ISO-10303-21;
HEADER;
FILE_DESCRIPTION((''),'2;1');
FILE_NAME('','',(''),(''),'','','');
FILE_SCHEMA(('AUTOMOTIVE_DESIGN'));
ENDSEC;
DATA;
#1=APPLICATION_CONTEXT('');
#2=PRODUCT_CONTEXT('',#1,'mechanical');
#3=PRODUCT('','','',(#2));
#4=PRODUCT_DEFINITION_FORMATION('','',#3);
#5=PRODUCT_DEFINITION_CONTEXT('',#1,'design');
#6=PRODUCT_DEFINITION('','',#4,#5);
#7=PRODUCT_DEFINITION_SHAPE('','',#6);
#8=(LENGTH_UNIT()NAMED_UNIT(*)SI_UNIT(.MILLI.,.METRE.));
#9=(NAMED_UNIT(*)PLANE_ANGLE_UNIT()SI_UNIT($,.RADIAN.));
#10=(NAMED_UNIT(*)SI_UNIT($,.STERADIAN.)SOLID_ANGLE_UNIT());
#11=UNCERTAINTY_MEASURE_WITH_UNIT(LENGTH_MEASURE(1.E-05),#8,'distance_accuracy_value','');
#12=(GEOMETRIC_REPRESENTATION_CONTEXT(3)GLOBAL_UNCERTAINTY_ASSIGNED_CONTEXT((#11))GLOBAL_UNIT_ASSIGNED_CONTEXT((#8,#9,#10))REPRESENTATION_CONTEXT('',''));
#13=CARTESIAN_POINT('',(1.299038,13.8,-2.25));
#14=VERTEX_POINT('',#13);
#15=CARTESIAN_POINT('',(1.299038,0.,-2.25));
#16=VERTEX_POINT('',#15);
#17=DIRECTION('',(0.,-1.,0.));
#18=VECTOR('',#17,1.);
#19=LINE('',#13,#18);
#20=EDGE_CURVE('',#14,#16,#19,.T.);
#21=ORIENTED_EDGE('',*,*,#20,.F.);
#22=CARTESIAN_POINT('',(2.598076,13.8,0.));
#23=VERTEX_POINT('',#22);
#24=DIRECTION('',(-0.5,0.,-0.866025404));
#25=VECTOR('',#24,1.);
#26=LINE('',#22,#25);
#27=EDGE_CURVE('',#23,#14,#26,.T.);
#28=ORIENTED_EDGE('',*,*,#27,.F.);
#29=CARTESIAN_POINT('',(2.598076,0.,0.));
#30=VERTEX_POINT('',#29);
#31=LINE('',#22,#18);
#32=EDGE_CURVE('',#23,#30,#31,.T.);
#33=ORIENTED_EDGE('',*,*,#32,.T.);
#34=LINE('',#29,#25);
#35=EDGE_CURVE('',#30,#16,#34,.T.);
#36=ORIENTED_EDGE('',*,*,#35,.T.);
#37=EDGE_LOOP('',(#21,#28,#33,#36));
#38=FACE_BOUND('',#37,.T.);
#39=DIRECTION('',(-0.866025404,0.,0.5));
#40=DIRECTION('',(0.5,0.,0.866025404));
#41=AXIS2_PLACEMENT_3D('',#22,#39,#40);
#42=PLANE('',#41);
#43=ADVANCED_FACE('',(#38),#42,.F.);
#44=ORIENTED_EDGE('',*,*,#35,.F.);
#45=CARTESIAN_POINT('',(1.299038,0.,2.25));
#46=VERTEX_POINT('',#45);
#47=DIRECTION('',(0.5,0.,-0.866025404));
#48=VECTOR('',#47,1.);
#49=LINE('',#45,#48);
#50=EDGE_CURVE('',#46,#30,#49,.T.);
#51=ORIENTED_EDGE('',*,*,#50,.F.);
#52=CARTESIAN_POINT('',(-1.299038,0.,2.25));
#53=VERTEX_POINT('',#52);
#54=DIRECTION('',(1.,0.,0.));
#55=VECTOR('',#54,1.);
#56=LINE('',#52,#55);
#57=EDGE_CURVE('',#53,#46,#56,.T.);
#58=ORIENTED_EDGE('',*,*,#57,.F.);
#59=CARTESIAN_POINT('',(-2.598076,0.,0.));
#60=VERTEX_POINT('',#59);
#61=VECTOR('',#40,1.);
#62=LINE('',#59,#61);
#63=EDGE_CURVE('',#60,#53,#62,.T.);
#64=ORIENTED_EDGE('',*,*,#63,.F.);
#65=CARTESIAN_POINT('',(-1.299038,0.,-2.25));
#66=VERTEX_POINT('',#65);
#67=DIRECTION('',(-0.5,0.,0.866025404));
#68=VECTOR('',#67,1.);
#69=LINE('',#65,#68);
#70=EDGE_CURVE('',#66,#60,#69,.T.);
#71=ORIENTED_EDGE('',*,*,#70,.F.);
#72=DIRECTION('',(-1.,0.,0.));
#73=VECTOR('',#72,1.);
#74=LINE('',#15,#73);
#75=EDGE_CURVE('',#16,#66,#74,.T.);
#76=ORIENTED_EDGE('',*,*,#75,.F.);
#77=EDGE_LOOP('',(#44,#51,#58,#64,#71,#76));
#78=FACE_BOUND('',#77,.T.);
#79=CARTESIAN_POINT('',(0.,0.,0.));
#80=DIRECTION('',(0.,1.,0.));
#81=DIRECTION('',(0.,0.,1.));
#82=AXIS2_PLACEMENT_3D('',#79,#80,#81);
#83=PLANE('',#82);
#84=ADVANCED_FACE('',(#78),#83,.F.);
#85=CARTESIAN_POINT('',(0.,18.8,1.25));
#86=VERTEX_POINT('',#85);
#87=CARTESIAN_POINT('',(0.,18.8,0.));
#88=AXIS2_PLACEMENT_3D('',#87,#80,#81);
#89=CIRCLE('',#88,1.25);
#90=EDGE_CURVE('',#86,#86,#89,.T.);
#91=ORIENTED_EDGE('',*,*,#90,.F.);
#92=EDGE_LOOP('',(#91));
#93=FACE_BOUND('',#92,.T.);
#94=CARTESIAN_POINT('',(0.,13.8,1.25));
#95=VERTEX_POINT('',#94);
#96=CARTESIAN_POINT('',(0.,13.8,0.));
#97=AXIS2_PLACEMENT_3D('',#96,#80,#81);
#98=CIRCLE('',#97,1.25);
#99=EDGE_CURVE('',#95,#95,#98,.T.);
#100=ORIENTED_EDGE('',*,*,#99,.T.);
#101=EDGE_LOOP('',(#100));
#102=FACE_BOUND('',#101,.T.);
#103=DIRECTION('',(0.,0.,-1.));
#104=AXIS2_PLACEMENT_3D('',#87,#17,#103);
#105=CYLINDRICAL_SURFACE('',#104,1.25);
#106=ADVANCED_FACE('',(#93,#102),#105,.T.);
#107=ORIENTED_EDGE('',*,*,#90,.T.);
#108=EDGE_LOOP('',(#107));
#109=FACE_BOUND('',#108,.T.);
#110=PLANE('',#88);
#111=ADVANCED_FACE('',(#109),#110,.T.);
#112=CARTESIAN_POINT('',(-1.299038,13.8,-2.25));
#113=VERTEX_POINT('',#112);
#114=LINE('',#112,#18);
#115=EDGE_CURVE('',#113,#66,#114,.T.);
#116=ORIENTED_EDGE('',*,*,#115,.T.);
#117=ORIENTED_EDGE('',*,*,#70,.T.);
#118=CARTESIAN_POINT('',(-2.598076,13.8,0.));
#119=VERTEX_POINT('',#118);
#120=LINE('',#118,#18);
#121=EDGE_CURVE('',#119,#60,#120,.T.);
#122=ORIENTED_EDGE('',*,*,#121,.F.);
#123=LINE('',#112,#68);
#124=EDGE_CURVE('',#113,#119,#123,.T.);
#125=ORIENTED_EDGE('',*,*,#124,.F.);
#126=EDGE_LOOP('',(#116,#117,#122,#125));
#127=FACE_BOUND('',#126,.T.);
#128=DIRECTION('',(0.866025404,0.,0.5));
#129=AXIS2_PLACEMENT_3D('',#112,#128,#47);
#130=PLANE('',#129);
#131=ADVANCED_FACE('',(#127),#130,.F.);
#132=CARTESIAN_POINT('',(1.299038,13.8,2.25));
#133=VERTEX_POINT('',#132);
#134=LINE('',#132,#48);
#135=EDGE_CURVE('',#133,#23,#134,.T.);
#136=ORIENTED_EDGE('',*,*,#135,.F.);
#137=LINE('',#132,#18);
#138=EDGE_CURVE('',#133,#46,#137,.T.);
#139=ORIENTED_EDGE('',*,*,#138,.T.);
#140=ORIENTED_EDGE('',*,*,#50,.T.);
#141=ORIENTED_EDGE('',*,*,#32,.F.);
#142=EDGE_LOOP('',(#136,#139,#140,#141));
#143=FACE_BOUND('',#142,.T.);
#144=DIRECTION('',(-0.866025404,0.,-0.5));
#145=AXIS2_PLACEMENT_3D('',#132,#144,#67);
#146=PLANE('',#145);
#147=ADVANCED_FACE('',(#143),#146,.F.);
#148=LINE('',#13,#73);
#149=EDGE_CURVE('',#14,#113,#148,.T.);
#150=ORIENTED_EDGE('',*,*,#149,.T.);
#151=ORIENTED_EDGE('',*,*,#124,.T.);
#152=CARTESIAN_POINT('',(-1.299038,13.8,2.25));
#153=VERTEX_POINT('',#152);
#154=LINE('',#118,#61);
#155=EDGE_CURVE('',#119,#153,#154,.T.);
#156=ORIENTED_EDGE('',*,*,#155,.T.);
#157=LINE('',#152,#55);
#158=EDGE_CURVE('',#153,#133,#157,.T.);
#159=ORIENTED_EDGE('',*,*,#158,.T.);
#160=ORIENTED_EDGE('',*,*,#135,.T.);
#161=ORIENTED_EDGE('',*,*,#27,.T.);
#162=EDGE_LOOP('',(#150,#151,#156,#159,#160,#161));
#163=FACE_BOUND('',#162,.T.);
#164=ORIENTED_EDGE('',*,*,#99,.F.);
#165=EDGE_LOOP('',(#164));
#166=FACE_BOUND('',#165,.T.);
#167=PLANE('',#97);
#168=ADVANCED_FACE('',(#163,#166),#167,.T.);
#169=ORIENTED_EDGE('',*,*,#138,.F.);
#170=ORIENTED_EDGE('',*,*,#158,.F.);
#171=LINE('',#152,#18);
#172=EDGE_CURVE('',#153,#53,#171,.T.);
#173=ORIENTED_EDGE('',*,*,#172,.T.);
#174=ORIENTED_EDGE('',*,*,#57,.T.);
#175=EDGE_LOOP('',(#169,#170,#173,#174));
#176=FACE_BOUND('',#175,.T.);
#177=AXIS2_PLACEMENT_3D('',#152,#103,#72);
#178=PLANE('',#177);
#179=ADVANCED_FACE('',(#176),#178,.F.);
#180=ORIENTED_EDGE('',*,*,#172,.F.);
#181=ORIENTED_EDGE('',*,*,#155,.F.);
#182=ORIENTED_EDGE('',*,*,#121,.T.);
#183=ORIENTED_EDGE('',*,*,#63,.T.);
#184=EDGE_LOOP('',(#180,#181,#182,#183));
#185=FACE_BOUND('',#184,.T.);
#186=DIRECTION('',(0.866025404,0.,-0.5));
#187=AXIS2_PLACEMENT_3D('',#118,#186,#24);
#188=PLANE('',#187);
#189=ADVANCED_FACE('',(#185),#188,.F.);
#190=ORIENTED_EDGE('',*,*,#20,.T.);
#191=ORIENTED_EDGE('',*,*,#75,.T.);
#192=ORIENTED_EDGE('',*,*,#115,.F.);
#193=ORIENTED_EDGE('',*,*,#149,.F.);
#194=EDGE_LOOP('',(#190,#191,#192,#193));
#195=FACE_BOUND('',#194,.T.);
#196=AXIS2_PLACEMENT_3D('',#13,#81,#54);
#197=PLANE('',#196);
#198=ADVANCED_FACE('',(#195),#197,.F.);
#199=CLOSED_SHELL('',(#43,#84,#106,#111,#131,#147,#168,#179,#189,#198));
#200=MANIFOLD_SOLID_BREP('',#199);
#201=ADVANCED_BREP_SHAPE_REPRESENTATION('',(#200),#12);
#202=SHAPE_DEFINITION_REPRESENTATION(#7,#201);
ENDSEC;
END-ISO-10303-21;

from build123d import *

# Parameters (mm, degrees)
SALIENTE_EXTRUIR1_DEPTH = 13.8
CROQUIS2_R              = 1.25
SALIENTE_EXTRUIR2_DEPTH = 5


with BuildPart() as part:
    # Croquis1 → Saliente-Extruir1 (new body)
    with BuildSketch(Plane(origin=(0, 0, 0), x_dir=(1, 0, 0), z_dir=(0, 1, 0))):
        Polygon((2.598076211, 0), (1.299038106, 2.25), (-1.299038106, 2.25), (-2.598076211, 0), (-1.299038106, -2.25), (1.299038106, -2.25), align=None)
    extrude(amount=SALIENTE_EXTRUIR1_DEPTH)

    # Croquis2 → Saliente-Extruir2 (add)
    with BuildSketch(Plane(origin=(0, 13.8, 0), x_dir=(1, 0, 0), z_dir=(0, 1, 0))):
        with Locations(Location((0, 0, 0), (0, 0, 270))):
            Circle(CROQUIS2_R)
    extrude(amount=SALIENTE_EXTRUIR2_DEPTH)


solid = part.part
